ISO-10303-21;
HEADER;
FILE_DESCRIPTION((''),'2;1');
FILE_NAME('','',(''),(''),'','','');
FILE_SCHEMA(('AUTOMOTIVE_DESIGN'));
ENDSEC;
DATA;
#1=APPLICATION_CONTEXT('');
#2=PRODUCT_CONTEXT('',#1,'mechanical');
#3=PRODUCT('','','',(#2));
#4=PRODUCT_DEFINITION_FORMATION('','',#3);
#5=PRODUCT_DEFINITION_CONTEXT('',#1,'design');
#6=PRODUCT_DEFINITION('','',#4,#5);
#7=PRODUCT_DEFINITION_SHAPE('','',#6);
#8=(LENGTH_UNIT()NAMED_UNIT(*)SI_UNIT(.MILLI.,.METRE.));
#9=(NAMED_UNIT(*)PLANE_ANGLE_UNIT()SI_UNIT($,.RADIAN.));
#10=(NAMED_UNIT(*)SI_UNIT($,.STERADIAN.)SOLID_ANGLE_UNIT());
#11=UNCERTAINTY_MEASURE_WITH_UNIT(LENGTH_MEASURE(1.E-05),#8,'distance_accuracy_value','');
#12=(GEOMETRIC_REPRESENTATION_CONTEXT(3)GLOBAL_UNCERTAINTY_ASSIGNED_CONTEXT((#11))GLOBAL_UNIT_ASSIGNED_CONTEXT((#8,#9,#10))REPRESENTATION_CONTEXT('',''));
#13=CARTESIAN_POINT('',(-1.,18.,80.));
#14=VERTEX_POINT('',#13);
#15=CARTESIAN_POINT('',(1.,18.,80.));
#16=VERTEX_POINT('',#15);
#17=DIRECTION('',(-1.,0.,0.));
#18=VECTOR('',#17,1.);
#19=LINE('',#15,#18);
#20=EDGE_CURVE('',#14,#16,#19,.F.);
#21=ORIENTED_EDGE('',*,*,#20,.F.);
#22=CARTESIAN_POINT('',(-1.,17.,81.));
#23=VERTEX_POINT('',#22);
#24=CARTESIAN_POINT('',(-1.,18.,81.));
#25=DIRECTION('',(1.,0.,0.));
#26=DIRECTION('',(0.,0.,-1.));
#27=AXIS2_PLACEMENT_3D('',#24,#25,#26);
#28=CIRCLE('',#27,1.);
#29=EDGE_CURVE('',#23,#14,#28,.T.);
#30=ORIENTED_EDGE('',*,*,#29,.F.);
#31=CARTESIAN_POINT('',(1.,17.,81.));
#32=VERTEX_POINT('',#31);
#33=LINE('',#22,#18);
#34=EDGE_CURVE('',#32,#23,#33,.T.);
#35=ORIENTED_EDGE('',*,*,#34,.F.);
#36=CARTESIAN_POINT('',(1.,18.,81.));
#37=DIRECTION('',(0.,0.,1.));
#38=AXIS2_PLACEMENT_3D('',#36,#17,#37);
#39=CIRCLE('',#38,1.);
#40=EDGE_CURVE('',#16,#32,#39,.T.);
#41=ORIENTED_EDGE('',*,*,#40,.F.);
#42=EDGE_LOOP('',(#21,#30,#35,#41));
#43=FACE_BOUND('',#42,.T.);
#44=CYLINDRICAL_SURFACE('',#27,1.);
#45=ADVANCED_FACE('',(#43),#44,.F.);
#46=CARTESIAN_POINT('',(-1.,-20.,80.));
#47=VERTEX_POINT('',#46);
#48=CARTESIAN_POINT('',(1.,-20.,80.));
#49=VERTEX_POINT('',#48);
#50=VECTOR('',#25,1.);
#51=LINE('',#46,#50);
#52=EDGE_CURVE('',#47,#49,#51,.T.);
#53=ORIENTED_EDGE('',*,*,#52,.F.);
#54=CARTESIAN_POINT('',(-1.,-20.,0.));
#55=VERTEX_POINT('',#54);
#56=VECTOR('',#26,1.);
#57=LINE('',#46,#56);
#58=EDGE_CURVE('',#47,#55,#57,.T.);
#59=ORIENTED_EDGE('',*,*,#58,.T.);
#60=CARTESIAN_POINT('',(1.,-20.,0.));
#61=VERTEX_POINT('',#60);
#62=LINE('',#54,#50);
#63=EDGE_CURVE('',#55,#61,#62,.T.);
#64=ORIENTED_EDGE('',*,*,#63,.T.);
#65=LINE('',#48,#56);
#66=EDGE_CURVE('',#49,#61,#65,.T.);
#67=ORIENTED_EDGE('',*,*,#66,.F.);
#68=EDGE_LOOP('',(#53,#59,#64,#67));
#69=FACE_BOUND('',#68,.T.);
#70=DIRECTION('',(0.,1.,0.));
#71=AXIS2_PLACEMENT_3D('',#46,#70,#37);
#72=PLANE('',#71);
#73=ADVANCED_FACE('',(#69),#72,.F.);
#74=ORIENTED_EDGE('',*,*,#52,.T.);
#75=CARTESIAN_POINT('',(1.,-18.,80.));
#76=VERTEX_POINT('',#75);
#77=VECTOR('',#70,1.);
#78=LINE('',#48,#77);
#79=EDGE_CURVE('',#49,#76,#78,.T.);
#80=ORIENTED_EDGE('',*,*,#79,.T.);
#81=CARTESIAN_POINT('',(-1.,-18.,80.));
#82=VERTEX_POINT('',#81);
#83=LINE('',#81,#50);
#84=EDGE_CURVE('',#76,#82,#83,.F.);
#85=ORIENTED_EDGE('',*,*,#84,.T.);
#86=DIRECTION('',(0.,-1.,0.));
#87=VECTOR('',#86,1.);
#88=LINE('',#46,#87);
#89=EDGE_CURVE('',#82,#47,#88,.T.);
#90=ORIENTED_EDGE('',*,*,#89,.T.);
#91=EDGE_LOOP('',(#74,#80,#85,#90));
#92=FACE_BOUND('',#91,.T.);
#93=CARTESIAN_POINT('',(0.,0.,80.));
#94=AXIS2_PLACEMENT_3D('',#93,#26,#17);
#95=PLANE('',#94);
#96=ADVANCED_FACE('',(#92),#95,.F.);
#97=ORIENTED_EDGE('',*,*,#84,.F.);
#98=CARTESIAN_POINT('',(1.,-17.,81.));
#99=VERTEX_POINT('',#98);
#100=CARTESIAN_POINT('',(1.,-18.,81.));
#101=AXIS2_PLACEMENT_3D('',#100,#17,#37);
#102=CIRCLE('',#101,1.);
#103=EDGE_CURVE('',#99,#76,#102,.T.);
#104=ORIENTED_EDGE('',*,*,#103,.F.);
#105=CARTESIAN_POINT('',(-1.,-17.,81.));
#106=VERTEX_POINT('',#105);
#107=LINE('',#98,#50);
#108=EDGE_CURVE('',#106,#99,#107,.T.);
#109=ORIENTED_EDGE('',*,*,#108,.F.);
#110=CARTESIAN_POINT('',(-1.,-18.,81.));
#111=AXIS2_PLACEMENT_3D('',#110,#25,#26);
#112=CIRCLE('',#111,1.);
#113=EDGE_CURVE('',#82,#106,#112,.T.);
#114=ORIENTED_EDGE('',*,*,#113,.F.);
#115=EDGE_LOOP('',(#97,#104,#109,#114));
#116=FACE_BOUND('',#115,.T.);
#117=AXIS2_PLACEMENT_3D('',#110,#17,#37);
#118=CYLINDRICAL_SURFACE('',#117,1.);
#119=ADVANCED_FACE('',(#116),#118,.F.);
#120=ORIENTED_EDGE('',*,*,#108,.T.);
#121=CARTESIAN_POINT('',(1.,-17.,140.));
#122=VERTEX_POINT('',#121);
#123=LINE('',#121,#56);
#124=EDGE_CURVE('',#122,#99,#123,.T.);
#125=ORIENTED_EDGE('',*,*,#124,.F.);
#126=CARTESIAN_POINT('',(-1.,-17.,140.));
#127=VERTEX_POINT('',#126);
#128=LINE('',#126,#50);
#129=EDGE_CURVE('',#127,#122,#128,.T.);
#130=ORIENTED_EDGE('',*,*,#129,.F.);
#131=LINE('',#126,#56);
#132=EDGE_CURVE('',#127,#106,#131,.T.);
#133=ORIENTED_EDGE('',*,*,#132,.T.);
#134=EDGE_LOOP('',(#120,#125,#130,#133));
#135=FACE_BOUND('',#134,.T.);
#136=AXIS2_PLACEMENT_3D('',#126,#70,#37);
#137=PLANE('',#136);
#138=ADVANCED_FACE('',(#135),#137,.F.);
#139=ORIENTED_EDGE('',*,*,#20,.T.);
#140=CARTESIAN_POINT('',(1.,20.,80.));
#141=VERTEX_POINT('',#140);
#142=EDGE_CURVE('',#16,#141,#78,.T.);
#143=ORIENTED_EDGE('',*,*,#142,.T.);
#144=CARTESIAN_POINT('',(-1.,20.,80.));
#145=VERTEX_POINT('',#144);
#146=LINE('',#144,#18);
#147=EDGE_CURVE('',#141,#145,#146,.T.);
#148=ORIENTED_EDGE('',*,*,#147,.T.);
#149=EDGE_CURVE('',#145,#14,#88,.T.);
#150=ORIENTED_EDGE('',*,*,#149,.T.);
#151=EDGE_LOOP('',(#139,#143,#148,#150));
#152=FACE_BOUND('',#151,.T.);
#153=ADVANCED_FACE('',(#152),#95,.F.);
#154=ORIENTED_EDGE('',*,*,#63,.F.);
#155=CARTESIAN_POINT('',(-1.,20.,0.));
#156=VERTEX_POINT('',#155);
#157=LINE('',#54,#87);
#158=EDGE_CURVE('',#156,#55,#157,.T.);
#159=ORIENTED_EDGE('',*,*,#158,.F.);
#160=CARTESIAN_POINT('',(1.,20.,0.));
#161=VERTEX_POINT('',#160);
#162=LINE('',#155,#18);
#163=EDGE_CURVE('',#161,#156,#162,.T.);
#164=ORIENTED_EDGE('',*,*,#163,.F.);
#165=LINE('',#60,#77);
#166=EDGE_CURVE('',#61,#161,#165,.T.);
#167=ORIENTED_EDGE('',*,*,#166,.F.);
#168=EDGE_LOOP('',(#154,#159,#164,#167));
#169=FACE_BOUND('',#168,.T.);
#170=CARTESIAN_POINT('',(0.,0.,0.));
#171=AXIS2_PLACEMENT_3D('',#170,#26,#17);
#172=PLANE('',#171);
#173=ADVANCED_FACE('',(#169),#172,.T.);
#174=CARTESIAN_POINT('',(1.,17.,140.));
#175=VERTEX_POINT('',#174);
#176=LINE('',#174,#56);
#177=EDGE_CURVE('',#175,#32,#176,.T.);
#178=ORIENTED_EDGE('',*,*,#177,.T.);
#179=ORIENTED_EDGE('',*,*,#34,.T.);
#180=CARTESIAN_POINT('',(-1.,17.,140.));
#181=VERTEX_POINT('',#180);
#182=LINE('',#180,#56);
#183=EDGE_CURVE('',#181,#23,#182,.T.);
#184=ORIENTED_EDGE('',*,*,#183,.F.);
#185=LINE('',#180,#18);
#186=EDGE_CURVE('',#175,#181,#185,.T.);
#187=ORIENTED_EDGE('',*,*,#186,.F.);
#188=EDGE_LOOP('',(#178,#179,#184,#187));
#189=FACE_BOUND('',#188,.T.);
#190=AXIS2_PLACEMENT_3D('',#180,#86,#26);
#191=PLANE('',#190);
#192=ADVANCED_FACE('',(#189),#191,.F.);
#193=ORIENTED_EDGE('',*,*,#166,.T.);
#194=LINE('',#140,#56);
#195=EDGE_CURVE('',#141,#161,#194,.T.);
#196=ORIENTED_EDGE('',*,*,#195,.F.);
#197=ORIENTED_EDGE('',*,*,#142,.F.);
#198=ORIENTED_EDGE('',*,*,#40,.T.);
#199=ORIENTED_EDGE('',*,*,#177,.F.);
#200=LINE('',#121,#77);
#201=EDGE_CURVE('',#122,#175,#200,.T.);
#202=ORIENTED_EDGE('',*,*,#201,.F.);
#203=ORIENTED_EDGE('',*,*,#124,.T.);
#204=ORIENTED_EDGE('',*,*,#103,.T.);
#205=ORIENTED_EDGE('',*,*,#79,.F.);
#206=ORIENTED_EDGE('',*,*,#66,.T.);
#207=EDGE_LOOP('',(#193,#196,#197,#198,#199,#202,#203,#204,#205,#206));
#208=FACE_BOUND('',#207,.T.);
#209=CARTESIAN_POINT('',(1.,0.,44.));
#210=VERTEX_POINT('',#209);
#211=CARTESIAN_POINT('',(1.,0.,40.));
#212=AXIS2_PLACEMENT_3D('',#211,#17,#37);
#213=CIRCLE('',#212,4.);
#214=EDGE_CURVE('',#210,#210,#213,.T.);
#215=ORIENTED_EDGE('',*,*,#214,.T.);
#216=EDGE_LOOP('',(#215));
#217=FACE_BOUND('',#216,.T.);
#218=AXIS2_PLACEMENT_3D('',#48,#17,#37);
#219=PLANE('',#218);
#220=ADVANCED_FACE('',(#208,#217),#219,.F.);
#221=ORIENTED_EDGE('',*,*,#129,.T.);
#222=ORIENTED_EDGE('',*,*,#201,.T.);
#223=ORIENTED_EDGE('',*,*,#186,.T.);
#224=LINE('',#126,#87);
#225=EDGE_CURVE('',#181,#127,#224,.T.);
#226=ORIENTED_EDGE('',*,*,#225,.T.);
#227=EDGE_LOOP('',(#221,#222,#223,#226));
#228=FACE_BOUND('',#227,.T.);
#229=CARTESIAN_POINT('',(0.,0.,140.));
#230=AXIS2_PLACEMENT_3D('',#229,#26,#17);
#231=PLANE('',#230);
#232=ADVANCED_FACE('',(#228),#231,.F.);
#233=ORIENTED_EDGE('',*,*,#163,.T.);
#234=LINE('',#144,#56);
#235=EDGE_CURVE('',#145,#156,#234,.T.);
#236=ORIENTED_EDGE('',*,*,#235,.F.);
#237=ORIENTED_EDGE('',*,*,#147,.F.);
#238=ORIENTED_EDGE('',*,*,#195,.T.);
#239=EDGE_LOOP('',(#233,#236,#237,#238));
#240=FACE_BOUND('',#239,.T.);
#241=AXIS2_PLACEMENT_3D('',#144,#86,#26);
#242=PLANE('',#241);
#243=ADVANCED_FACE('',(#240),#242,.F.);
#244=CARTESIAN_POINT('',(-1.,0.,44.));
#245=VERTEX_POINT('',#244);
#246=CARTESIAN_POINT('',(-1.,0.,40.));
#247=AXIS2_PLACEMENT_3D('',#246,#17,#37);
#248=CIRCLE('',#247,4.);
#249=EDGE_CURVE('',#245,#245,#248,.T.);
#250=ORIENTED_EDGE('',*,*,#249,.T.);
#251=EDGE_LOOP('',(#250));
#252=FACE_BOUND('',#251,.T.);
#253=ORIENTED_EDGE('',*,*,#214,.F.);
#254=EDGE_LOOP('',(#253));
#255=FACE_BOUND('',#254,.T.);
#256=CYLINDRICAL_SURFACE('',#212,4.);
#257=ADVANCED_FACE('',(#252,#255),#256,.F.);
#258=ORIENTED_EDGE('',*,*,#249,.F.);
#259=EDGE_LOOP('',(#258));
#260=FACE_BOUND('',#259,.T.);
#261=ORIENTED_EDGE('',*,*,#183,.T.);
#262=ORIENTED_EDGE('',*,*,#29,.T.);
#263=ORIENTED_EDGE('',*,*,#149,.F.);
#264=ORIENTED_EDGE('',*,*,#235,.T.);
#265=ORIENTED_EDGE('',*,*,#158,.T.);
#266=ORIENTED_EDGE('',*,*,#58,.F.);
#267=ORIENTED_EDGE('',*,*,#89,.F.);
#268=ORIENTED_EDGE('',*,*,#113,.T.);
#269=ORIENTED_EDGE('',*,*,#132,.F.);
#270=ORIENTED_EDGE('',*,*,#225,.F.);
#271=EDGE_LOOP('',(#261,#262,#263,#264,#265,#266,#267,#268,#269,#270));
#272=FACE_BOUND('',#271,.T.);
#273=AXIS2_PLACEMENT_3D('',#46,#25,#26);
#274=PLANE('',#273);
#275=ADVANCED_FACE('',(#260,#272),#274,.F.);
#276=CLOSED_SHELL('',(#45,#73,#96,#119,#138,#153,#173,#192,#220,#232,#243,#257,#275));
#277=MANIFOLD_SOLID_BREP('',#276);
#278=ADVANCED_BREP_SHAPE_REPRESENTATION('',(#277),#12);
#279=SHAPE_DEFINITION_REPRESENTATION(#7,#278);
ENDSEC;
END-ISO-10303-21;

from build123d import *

# Parameters (mm, degrees)
SKETCH1_W           = 2
SKETCH1_H           = 40
BOSS_EXTRUDE1_DEPTH = 80
SKETCH2_W           = 2
SKETCH2_H           = 34
BOSS_EXTRUDE2_DEPTH = 60
FILLET1_R           = 1
SKETCH3_R           = 2
CUT_EXTRUDE1_DEPTH  = 142.435497666
SKETCH4_R           = 4
CUT_EXTRUDE2_DEPTH  = 142.435497666


with BuildPart() as part:
    # Sketch1 → Boss-Extrude1 (new body)
    with BuildSketch(Plane.XY):
        Rectangle(SKETCH1_W, SKETCH1_H)
    extrude(amount=BOSS_EXTRUDE1_DEPTH)

    # Sketch2 → Boss-Extrude2 (add)
    with BuildSketch(Plane.XY.offset(80)):
        Rectangle(SKETCH2_W, SKETCH2_H)
    extrude(amount=BOSS_EXTRUDE2_DEPTH)

    # Fillet1
    fillet1_edges = [part.edges().sort_by_distance(p)[0] for p in [
        (0, 17, 80),
        (0, -17, 80),
    ]]
    fillet(fillet1_edges, radius=FILLET1_R)

    # Sketch3 → Cut-Extrude1 (cut, through all)
    with BuildSketch(Plane.ZY.offset(1)):
        with Locations((40, 0)):
            Circle(SKETCH3_R)
    extrude(amount=-CUT_EXTRUDE1_DEPTH, mode=Mode.SUBTRACT)

    # Sketch4 → Cut-Extrude2 (cut, through all)
    with BuildSketch(Plane.ZY.offset(1)):
        with Locations((40, 0)):
            Circle(SKETCH4_R)
    extrude(amount=-CUT_EXTRUDE2_DEPTH, mode=Mode.SUBTRACT)


solid = part.part
